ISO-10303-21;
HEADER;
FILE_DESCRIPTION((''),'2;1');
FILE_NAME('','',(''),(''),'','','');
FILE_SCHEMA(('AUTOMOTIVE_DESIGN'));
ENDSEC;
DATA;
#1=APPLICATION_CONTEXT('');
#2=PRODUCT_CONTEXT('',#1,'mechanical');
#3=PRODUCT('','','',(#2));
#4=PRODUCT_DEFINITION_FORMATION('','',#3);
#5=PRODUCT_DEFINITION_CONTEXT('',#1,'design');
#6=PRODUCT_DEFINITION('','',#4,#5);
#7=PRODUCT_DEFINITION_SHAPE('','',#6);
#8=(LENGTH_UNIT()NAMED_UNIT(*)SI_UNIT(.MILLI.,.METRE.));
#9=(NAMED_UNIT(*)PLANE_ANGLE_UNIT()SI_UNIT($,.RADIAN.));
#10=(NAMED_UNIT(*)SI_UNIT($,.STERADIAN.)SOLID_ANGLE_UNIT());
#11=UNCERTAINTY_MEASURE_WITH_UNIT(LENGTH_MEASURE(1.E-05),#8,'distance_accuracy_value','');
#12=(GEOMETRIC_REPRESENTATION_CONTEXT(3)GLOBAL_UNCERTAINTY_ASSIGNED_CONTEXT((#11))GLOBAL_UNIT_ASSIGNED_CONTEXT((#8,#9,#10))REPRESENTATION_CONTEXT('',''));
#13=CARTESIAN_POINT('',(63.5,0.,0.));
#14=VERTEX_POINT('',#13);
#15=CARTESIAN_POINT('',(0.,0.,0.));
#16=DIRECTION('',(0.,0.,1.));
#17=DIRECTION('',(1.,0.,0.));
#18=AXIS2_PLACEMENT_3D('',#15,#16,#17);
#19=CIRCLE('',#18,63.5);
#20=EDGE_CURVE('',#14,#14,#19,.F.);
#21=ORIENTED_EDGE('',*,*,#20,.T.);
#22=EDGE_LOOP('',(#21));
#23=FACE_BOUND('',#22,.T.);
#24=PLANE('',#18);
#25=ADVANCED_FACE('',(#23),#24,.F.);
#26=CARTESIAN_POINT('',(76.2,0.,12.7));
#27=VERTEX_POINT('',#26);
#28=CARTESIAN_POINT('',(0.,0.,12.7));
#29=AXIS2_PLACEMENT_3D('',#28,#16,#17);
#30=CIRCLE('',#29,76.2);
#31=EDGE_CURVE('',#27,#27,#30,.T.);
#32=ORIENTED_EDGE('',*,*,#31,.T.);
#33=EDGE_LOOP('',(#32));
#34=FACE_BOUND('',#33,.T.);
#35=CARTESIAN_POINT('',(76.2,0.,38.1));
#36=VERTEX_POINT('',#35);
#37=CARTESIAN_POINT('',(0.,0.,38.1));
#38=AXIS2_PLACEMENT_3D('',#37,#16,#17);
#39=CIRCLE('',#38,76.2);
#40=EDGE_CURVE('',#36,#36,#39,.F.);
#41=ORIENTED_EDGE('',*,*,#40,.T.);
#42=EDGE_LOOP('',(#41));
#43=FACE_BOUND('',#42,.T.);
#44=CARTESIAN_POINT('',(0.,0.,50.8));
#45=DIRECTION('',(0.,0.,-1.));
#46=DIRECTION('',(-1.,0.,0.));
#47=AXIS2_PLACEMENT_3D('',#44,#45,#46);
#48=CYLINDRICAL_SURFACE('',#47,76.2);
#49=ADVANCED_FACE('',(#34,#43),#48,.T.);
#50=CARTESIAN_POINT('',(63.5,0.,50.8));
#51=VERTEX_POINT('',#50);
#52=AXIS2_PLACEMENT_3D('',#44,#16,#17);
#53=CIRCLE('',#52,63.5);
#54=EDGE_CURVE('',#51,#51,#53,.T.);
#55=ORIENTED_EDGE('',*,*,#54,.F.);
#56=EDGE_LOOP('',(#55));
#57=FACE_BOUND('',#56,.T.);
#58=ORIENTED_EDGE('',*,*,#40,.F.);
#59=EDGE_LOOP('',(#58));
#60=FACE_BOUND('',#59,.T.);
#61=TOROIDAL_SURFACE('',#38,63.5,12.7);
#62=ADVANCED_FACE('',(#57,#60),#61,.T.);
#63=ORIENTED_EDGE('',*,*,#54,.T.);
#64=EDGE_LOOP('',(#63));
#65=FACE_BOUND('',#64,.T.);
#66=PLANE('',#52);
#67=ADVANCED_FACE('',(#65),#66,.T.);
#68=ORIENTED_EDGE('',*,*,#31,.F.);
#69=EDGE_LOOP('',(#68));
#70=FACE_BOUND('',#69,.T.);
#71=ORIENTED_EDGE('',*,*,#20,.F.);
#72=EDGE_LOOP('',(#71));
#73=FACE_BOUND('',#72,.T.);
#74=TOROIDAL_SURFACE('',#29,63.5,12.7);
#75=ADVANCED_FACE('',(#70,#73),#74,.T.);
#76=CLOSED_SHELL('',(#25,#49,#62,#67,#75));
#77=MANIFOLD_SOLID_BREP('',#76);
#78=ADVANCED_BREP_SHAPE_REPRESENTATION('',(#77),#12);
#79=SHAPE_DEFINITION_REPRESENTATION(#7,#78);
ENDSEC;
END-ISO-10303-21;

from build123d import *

# Parameters (mm, degrees)
SKETCH1_R           = 76.2
BOSS_EXTRUDE1_DEPTH = 50.8
FILLET1_R           = 12.7


with BuildPart() as part:
    # Sketch1 → Boss-Extrude1 (new body)
    with BuildSketch(Plane.XY):
        Circle(SKETCH1_R)
    extrude(amount=BOSS_EXTRUDE1_DEPTH)

    # Fillet1
    fillet1_edges = [part.edges().sort_by_distance(p)[0] for p in [
        (-76.2, 0, 0),
        (-76.2, 0, 50.8),
    ]]
    fillet(fillet1_edges, radius=FILLET1_R)


solid = part.part
